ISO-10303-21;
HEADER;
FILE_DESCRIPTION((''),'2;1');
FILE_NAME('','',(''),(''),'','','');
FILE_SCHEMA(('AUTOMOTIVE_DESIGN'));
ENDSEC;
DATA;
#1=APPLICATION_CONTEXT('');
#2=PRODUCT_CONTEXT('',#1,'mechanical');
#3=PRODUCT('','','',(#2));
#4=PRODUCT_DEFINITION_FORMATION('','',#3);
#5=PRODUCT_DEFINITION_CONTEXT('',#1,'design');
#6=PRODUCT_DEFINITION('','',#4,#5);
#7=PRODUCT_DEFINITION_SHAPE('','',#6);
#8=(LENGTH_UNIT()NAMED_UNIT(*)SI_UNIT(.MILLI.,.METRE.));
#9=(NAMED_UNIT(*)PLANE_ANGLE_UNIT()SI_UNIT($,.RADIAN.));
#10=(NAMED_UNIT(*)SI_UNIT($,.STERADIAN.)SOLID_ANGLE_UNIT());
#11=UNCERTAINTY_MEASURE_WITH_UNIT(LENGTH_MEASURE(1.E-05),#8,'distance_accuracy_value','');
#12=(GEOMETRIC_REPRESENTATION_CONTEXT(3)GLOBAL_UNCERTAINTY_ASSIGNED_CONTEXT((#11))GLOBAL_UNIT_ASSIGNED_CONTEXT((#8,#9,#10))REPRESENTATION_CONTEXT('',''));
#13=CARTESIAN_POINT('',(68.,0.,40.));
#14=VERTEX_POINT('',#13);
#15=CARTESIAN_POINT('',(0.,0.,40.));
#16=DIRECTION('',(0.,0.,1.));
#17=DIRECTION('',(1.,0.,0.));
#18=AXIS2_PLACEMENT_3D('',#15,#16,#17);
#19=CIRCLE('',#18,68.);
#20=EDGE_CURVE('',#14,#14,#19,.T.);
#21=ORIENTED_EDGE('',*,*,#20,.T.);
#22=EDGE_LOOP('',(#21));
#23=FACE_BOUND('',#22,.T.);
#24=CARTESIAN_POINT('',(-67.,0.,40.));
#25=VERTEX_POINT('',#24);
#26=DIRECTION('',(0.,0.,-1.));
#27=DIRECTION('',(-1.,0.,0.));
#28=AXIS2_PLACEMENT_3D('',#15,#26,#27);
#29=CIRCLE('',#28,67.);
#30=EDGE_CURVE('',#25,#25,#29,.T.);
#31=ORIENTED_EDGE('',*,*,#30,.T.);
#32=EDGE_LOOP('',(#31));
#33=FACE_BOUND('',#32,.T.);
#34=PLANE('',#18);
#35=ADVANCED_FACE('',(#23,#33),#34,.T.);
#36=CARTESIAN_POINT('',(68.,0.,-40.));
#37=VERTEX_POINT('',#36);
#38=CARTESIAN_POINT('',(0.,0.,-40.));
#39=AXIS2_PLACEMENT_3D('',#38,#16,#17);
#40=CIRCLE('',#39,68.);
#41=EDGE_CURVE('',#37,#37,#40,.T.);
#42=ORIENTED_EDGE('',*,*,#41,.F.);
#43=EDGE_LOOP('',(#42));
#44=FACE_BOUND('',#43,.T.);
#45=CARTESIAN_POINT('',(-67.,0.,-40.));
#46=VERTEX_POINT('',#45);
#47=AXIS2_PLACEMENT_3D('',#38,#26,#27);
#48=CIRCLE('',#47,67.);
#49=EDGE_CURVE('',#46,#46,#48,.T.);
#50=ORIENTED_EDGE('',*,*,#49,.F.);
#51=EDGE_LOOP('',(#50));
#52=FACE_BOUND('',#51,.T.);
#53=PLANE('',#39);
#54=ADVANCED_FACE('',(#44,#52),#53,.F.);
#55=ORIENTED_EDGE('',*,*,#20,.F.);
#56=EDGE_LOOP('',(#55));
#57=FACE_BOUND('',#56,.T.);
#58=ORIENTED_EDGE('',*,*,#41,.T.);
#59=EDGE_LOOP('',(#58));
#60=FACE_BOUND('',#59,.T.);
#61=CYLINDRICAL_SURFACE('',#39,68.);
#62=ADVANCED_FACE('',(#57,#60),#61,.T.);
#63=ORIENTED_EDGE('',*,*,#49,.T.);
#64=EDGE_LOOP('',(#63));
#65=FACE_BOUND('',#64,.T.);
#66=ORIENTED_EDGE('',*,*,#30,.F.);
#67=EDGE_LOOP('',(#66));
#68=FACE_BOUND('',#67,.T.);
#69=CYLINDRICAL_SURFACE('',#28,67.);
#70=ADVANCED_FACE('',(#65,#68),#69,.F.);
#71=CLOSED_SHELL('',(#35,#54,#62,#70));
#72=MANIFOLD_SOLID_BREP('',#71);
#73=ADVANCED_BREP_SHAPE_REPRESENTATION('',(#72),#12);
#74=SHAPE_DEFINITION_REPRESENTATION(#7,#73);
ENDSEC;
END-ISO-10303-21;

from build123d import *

# Parameters (mm, degrees)
BOSS_EXTRUDE1_DEPTH      = 40
BOSS_EXTRUDE1_DEPTH_BACK = 40
SKETCH1_R                = 68
SKETCH2_R                = 67
CUT_EXTRUDE1_DEPTH       = 80


with BuildPart() as part:
    # Sketch1 → Boss-Extrude1 (new, two sides: drawn at the far end of the back side and taken through both)
    with BuildSketch(Plane.XY.offset(-BOSS_EXTRUDE1_DEPTH_BACK)):
        Circle(SKETCH1_R)
    extrude(amount=BOSS_EXTRUDE1_DEPTH + BOSS_EXTRUDE1_DEPTH_BACK)

    # Sketch2 → Cut-Extrude1 (cut)
    with BuildSketch(Plane(origin=(0, 0, -40), x_dir=(-1, 0, 0), z_dir=(0, 0, -1))):
        Circle(SKETCH2_R)
    extrude(amount=-CUT_EXTRUDE1_DEPTH, mode=Mode.SUBTRACT)


solid = part.part
